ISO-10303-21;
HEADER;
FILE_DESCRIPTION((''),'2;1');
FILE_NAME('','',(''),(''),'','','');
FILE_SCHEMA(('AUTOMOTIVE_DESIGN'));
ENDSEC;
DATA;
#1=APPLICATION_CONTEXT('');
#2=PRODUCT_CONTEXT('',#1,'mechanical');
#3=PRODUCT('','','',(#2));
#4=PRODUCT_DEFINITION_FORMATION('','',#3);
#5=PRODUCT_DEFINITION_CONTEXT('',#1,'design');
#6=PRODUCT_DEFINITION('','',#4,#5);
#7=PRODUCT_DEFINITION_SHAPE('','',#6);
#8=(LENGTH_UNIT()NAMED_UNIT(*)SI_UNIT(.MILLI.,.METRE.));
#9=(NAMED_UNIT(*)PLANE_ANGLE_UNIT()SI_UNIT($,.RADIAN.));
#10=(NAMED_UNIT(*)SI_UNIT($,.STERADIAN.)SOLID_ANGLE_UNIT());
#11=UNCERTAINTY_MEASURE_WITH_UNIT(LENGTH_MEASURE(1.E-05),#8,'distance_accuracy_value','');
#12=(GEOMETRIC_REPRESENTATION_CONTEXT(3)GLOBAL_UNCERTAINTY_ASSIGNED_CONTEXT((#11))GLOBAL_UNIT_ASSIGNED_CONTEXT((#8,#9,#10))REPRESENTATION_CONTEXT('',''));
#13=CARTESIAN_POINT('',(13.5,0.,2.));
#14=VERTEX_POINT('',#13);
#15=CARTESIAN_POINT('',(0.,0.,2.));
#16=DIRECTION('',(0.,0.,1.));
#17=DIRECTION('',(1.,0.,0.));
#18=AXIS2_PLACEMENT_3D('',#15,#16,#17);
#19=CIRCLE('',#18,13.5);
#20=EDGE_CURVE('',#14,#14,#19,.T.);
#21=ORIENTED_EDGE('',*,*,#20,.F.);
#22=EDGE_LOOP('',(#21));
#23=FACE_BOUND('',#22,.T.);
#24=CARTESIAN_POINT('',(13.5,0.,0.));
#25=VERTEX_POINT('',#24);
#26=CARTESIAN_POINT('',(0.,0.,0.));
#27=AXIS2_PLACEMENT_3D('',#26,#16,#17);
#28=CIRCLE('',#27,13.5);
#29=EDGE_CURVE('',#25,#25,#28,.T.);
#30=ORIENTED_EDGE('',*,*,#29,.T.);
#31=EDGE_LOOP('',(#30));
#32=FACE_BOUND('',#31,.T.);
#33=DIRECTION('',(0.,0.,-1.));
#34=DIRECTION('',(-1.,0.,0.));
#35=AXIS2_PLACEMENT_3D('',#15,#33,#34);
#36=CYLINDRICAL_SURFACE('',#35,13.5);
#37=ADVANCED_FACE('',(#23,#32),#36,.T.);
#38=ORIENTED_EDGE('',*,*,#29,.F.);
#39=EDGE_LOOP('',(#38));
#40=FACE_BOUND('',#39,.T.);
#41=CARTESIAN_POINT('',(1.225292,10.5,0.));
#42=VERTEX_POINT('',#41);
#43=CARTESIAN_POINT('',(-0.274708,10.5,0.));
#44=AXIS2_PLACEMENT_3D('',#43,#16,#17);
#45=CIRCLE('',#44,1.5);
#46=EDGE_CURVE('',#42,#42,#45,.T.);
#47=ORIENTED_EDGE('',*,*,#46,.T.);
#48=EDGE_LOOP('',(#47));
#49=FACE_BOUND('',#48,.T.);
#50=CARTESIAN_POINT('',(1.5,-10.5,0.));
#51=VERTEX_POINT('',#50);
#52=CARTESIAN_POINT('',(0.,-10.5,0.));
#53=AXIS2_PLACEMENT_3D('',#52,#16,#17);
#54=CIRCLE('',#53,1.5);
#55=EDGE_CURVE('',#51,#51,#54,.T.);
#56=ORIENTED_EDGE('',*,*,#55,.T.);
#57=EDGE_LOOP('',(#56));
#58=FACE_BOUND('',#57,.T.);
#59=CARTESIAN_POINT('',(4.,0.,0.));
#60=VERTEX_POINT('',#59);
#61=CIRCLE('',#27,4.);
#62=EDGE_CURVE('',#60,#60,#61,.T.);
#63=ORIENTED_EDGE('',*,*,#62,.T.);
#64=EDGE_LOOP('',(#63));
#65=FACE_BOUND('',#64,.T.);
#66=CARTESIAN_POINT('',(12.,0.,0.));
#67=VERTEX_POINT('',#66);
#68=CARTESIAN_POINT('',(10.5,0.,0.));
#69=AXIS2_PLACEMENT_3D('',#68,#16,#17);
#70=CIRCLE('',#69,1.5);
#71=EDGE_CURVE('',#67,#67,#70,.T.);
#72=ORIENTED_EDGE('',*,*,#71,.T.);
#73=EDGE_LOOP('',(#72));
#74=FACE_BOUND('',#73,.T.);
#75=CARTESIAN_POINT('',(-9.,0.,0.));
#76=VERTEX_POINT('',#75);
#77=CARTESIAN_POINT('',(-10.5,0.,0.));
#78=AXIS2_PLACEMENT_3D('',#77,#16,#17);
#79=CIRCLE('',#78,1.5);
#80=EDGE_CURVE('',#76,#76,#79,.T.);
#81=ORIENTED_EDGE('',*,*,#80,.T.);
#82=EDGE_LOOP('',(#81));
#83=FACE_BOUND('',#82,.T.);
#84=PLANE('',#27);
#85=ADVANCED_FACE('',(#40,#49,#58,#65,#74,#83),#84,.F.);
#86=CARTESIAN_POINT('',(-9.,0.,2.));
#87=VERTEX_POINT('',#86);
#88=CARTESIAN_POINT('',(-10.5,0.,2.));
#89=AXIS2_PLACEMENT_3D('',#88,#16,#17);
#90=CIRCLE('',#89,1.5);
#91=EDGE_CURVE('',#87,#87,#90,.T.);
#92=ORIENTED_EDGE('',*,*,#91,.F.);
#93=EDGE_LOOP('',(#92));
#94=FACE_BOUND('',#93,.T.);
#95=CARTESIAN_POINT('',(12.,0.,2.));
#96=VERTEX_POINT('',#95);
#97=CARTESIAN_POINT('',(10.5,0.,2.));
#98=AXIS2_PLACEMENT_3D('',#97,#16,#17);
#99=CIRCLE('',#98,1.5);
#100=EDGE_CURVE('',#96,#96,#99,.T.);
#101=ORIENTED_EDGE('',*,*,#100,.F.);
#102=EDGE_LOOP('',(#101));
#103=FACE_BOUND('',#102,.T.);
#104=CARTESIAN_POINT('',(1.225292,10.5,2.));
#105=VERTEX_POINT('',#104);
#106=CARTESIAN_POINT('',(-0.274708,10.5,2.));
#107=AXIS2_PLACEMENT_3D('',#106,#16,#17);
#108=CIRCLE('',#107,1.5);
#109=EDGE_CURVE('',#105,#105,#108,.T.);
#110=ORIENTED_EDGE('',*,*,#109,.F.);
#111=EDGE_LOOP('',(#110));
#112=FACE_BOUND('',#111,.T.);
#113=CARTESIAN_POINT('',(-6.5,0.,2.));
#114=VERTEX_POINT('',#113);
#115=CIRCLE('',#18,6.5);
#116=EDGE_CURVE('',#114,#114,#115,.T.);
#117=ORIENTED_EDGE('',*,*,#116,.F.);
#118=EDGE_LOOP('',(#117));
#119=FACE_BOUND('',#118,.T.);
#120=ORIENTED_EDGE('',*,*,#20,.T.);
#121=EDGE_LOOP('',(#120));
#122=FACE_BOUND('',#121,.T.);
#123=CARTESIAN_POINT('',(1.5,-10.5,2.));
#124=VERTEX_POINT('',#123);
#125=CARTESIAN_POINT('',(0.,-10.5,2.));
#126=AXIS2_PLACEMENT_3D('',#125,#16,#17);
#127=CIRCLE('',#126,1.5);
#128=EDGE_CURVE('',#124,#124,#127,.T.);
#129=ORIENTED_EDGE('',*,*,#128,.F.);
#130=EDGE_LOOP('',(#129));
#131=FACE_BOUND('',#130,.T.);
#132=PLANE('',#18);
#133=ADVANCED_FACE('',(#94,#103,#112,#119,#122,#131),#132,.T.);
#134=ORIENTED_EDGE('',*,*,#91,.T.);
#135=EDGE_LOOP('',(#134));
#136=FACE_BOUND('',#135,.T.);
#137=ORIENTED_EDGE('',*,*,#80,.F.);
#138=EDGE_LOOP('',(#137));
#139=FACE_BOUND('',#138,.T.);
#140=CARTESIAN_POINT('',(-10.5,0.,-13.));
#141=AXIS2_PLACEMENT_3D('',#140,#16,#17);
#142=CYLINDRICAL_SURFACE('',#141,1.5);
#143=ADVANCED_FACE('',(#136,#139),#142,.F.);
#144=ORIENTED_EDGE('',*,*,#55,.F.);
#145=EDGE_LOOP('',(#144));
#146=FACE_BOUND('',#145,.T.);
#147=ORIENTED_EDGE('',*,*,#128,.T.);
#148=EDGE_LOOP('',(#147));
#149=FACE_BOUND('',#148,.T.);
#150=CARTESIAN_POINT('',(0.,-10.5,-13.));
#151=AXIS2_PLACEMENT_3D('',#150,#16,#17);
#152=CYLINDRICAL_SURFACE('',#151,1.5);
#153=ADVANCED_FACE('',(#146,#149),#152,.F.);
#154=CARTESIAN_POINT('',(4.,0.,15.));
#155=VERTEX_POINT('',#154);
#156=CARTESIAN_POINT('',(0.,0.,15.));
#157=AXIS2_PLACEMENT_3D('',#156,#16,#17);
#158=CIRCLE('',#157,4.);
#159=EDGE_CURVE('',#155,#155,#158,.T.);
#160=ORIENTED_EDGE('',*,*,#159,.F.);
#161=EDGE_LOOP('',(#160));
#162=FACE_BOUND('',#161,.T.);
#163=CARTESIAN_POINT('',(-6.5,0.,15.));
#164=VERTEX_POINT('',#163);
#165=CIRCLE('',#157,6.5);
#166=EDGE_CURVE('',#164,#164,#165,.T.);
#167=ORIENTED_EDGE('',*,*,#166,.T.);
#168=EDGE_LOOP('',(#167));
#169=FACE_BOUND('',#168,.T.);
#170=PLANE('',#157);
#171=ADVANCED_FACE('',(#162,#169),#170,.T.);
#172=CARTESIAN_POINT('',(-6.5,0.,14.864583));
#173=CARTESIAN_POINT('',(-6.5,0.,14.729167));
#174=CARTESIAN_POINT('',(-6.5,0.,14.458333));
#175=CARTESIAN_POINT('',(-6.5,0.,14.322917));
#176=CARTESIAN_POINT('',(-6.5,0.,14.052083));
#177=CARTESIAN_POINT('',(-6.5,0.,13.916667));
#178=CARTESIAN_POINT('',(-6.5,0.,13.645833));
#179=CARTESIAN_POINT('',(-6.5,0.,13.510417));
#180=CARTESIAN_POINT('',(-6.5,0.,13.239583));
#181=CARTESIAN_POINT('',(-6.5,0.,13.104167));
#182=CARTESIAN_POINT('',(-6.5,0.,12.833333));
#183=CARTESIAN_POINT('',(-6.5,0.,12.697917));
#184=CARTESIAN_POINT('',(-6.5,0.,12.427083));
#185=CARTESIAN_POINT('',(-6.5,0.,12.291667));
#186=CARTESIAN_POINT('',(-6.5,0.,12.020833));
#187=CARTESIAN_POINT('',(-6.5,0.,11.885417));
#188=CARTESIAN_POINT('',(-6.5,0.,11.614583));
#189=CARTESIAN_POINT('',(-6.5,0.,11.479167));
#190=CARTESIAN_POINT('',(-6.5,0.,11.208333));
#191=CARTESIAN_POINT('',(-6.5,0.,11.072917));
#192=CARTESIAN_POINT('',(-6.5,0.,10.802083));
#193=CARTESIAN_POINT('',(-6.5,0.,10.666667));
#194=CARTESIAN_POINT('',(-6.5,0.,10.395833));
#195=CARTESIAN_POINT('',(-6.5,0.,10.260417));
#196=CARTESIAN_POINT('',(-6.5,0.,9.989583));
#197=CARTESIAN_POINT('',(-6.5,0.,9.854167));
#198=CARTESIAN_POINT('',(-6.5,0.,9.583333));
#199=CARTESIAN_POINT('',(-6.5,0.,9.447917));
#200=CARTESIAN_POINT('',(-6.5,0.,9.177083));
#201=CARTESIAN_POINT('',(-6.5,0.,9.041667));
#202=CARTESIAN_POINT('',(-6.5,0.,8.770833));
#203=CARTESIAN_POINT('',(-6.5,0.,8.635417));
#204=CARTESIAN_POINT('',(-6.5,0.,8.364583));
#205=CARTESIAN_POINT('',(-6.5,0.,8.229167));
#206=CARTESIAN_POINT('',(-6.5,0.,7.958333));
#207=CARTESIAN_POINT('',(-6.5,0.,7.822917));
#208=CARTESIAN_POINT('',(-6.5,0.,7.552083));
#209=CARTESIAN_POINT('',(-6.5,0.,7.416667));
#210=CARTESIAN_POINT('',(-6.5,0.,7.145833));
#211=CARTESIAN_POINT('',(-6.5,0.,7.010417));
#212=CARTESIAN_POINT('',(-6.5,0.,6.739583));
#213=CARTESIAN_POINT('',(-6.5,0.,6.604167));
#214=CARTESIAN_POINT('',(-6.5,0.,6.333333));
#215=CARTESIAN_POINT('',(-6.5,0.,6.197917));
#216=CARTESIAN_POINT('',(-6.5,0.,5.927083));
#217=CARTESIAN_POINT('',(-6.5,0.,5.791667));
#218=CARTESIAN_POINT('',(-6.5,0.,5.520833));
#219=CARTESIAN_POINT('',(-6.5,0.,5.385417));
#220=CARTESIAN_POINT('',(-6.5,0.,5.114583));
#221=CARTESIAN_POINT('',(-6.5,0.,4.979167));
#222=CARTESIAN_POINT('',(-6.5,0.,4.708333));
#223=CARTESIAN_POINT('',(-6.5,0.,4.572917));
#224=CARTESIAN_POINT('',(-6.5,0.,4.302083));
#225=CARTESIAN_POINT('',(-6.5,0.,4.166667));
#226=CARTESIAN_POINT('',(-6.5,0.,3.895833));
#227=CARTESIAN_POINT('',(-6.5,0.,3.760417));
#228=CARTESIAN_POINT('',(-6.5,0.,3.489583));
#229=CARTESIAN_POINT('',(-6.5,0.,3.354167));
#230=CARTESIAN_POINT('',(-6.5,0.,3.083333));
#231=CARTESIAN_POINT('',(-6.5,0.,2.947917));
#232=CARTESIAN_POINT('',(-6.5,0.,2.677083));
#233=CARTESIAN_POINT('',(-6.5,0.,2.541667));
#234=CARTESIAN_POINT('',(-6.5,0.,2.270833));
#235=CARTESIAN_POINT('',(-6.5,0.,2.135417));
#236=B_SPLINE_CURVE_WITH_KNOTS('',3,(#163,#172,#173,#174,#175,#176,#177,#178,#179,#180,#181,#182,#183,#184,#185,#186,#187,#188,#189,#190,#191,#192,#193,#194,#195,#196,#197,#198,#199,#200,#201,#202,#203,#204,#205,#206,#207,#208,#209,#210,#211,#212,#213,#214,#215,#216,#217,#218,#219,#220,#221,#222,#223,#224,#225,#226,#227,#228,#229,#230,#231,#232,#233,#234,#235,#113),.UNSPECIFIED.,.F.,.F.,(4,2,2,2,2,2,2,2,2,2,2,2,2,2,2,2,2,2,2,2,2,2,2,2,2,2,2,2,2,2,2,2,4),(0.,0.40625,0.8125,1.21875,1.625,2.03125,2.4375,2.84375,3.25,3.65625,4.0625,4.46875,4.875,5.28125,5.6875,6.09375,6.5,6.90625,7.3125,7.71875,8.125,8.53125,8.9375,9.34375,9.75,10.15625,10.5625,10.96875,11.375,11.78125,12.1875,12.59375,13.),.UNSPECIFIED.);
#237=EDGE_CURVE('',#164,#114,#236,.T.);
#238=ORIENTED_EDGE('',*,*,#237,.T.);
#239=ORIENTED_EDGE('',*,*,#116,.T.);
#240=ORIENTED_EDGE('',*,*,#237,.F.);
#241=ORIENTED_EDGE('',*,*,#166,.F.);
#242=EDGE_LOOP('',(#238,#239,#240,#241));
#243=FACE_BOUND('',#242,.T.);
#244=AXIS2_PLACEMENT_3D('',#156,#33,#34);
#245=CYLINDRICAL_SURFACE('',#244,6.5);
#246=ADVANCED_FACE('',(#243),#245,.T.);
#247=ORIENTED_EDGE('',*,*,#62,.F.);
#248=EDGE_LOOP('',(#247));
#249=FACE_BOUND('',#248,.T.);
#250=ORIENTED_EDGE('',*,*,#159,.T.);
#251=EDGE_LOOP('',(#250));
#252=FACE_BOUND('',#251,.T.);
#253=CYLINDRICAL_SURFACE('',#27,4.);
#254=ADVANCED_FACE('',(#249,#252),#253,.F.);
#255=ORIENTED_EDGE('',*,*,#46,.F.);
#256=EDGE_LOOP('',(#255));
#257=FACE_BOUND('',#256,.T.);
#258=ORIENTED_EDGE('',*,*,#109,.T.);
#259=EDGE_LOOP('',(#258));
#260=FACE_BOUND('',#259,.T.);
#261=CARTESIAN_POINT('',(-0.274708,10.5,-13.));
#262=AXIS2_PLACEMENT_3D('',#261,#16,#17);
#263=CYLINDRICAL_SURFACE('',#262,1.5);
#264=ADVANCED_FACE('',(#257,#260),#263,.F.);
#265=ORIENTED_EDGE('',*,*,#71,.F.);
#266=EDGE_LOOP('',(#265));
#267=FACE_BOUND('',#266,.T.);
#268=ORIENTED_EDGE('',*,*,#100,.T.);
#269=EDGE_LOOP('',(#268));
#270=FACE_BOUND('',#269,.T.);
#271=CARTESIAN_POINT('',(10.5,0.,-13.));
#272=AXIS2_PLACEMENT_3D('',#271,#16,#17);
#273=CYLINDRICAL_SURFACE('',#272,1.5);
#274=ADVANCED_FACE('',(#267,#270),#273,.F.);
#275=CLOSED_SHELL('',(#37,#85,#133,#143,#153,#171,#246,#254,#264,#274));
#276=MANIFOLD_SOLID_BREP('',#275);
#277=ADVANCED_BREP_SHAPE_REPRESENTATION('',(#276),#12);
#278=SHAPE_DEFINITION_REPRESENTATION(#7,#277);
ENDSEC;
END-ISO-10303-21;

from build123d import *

# Parameters (mm, degrees)
SKETCH_1_R          = 13.5
EXTRUDE_1_DEPTH     = 2
SKETCH_2_R          = 6.5
EXTRUDE_2_DEPTH     = 13
SKETCH_3_R          = 4
CUT_EXTRUDE_1_DEPTH = 15
SKETCH_4_R          = 1.5
CUT_EXTRUDE_2_DEPTH = 15


with BuildPart() as part:
    # 草图1 → 凸台-拉伸1 (new body)
    with BuildSketch(Plane.XY):
        Circle(SKETCH_1_R)
    extrude(amount=EXTRUDE_1_DEPTH)

    # 草图2 → 凸台-拉伸2 (add)
    with BuildSketch(Plane.XY.offset(2)):
        with Locations(Location((0, 0, 0), (0, 0, 180))):
            Circle(SKETCH_2_R)
    extrude(amount=EXTRUDE_2_DEPTH)

    # 草图3 → 切除-拉伸1 (cut)
    with BuildSketch(Plane.XY.offset(15)):
        Circle(SKETCH_3_R)
    extrude(amount=-CUT_EXTRUDE_1_DEPTH, mode=Mode.SUBTRACT)

    # 草图4 → 切除-拉伸2 (cut)
    with BuildSketch(Plane.XY.offset(2)):
        with Locations((-10.5, 0)):
            Circle(SKETCH_4_R)
        with Locations((-0.274707959, 10.5)):
            Circle(SKETCH_4_R)
        with Locations((10.5, 0)):
            Circle(SKETCH_4_R)
        with Locations((0, -10.5)):
            Circle(SKETCH_4_R)
    extrude(amount=-CUT_EXTRUDE_2_DEPTH, mode=Mode.SUBTRACT)


solid = part.part
